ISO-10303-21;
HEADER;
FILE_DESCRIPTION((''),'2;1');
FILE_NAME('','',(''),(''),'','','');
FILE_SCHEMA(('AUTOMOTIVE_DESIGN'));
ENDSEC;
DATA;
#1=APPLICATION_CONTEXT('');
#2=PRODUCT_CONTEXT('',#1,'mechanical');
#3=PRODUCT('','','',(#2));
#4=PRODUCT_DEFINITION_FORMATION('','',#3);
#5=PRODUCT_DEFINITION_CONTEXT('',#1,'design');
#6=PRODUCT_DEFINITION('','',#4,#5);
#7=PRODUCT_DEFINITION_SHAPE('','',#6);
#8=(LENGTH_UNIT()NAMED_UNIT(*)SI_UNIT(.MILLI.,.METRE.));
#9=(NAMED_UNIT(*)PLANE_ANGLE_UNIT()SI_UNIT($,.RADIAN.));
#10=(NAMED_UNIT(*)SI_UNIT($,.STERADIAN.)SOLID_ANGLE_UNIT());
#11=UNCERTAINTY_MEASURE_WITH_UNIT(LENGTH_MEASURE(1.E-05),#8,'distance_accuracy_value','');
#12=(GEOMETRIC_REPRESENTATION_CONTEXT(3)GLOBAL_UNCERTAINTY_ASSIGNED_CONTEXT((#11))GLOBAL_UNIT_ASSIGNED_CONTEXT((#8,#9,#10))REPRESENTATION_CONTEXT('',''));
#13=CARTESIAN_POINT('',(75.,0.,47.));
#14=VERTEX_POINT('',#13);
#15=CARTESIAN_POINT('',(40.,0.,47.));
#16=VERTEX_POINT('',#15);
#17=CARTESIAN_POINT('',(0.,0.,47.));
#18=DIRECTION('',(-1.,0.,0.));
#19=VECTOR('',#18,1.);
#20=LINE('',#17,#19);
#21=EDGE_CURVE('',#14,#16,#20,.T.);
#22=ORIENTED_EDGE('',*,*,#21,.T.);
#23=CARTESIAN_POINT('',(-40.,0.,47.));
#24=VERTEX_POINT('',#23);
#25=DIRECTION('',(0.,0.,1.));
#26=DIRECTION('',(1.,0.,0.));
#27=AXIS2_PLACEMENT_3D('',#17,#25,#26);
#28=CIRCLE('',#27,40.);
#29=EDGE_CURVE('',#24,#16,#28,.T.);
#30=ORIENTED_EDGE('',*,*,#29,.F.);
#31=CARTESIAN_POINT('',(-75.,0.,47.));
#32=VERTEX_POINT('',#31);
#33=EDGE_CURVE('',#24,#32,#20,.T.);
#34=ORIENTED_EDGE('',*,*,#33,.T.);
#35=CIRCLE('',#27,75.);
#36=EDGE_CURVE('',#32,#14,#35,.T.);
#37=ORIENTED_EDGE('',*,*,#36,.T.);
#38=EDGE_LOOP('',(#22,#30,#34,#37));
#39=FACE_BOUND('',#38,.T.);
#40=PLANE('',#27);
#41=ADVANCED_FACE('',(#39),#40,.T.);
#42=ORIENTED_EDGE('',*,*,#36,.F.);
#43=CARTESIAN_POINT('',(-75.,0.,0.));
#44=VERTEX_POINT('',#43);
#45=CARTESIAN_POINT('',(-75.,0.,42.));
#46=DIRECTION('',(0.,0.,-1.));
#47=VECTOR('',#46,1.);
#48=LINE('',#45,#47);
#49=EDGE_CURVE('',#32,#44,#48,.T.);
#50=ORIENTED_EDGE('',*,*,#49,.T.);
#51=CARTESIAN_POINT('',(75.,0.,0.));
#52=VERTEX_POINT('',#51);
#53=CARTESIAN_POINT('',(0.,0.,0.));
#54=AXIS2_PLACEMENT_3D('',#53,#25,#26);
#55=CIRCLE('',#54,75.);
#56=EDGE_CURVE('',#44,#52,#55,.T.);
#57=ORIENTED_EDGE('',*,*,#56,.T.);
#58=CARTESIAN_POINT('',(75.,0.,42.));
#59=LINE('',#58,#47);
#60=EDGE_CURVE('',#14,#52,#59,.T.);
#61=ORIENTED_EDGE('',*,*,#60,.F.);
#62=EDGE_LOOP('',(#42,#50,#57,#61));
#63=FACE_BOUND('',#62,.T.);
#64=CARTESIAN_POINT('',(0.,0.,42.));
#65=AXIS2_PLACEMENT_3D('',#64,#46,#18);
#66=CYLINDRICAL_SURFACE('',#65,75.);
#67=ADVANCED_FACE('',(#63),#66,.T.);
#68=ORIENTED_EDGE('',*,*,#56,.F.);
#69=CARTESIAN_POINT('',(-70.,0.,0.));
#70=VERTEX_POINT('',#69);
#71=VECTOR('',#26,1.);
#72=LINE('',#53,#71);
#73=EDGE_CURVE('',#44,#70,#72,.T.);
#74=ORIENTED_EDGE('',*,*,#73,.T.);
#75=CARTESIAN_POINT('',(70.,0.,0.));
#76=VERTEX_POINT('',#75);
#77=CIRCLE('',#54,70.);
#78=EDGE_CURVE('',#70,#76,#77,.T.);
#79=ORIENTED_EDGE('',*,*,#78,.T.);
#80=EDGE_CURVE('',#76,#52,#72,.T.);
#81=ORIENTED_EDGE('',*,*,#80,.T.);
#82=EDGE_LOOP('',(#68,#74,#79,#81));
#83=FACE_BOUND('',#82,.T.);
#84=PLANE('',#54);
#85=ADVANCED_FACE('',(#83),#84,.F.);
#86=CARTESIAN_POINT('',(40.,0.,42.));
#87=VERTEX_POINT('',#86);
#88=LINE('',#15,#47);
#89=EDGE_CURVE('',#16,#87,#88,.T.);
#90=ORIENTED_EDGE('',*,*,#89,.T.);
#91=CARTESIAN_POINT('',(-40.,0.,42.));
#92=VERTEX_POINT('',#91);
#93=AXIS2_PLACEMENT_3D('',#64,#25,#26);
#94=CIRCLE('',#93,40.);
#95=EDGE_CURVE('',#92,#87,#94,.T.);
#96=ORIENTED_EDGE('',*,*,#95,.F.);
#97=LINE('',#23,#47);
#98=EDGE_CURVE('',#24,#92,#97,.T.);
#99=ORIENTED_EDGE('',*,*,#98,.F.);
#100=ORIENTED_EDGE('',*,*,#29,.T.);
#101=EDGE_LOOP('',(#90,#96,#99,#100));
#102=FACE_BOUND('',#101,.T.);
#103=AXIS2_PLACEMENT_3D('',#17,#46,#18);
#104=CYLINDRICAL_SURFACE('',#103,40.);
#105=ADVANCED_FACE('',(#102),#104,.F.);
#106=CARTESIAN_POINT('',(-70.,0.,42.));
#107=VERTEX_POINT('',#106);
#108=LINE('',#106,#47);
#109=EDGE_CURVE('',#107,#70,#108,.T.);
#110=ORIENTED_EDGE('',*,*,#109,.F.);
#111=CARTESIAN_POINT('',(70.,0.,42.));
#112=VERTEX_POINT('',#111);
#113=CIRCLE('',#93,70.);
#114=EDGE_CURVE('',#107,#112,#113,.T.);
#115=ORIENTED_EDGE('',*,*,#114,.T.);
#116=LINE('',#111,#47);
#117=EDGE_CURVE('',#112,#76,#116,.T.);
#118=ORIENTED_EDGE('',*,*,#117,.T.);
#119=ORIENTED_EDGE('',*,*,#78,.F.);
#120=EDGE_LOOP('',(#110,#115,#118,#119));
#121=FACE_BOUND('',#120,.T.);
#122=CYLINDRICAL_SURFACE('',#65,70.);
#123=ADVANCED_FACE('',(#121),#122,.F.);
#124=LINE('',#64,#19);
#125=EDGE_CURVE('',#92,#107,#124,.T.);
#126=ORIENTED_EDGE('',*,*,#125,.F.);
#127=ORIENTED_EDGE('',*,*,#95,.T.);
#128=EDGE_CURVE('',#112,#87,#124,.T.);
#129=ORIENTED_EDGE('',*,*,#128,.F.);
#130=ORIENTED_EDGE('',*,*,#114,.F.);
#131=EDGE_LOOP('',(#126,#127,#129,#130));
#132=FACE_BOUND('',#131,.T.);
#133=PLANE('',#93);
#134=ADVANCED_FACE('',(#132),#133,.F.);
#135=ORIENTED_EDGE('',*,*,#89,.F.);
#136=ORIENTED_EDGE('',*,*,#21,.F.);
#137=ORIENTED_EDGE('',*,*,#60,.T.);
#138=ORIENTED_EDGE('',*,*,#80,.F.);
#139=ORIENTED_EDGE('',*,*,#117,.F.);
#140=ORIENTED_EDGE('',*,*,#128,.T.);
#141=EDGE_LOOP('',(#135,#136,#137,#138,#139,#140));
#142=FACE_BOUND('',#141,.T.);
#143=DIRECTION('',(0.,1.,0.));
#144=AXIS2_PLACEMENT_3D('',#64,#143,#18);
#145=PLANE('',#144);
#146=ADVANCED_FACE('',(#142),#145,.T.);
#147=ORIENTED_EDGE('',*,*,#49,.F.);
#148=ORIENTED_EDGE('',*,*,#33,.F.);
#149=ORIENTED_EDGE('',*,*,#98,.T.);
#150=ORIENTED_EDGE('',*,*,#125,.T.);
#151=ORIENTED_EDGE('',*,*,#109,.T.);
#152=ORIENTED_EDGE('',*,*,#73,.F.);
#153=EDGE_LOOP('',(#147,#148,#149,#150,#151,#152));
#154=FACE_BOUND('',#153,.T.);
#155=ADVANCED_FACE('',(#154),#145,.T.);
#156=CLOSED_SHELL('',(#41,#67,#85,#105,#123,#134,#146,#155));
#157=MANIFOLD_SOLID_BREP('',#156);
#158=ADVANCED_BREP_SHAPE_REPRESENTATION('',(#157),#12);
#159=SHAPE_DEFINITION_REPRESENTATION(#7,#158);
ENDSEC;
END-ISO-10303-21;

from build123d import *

# Parameters (mm, degrees)
BOSS_EXTRUDE1_DEPTH = 42
BOSS_EXTRUDE2_DEPTH = 5


with BuildPart() as part:
    # Sketch1 → Boss-Extrude1 (new body)
    with BuildSketch(Plane.XY):
        with BuildLine():
            Line((75, 0), (70, 0))
            ThreePointArc((70, 0), (0, -70), (-70, 0))
            Line((-70, 0), (-75, 0))
            ThreePointArc((-75, 0), (0, -75), (75, 0))
        make_face()
    extrude(amount=BOSS_EXTRUDE1_DEPTH)

    # Sketch2 → Boss-Extrude2 (add)
    with BuildSketch(Plane.XY.offset(42)):
        with BuildLine():
            Line((75, 0), (70, 0))
            ThreePointArc((70, 0), (0, -70), (-70, 0))
            Line((-70, 0), (-75, 0))
            ThreePointArc((-75, 0), (0, -75), (75, 0))
        make_face()
        with BuildLine():
            Line((-40, 0), (-70, 0))
            ThreePointArc((-70, 0), (0, -70), (70, 0))
            Line((70, 0), (40, 0))
            ThreePointArc((40, 0), (0, -40), (-40, 0))
        make_face()
    extrude(amount=BOSS_EXTRUDE2_DEPTH)


solid = part.part
